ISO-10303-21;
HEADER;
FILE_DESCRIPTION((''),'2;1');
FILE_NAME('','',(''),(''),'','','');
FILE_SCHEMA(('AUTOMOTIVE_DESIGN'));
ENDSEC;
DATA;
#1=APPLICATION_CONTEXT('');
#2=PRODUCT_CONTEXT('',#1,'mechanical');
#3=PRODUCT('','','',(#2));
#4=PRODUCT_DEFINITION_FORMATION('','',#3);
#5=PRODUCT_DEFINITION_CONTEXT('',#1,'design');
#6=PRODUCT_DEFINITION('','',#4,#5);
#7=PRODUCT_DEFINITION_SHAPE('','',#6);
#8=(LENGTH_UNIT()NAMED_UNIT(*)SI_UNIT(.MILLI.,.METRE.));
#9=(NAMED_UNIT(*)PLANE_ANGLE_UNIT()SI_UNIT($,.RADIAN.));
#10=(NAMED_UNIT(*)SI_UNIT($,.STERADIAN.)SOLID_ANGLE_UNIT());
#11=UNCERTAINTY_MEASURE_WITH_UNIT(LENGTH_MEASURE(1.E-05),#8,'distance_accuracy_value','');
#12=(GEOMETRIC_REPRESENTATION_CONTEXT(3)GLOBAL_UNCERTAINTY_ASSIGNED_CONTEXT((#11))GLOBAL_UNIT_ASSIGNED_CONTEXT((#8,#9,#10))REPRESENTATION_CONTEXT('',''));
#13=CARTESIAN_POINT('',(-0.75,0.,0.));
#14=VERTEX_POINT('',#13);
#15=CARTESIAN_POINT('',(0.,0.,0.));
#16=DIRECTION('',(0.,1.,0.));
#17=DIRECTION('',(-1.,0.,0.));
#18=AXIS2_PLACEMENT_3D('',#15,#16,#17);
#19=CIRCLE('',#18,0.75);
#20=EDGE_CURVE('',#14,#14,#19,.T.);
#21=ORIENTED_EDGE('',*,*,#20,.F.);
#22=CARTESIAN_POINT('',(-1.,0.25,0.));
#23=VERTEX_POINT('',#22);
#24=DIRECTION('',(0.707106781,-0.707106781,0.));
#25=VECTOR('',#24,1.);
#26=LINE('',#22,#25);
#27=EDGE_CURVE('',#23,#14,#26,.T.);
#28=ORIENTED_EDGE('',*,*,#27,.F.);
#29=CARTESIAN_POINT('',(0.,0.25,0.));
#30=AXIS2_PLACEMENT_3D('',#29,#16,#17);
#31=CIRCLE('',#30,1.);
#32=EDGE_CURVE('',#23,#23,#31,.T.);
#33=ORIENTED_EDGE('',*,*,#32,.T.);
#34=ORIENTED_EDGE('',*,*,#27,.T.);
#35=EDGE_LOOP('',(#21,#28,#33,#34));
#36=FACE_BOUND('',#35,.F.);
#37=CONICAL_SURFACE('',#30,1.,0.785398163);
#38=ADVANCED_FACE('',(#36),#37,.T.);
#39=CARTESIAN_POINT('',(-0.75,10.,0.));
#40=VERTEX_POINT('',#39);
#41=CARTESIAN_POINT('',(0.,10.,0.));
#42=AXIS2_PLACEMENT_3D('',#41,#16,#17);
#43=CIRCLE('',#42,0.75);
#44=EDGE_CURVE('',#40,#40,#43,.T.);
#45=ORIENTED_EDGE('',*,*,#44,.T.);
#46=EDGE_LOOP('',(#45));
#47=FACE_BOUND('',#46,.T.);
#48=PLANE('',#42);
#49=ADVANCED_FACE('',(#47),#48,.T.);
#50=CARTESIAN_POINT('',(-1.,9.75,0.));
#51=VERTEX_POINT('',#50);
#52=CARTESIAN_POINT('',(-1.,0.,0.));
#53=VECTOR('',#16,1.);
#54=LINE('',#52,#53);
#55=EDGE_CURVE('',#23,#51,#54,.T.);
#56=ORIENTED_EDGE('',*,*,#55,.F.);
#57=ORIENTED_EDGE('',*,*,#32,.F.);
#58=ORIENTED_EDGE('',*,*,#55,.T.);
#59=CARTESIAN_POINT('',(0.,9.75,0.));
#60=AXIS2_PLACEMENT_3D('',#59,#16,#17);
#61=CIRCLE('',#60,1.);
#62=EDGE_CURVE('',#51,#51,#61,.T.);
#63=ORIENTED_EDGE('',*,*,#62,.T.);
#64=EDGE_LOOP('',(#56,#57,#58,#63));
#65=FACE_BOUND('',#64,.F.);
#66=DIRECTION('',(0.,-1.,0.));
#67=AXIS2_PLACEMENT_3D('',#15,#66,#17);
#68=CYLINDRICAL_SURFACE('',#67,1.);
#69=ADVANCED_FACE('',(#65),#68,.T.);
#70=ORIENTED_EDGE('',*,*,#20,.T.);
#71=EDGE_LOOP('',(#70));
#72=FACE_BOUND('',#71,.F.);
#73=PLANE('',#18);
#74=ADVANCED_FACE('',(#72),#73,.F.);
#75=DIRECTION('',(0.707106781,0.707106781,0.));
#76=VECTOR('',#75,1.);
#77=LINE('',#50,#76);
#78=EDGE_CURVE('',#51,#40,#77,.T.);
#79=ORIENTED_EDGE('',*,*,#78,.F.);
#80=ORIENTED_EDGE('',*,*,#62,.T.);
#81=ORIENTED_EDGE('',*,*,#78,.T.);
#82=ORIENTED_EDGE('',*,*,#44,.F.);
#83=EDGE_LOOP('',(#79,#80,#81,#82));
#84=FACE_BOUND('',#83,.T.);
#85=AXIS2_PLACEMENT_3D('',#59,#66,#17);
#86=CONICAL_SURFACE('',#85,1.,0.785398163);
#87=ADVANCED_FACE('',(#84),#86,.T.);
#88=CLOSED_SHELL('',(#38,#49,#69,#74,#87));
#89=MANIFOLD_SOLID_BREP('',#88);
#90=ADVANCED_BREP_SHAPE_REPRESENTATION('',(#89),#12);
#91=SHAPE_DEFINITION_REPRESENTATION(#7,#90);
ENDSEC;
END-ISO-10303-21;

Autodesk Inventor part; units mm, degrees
ref_plane "YZ Plane" through (0, 0, 0) normal (1, 0, 0) x (0, 1, 0)
ref_plane "XZ Plane" through (0, 0, 0) normal (0, 1, 0) x (-1, 0, 0)
ref_plane "XY Plane" through (0, 0, 0) normal (0, 0, 1) x (1, 0, 0)
sketch "Skizze1" plane through (0, 0, 0) normal (0, 1, 0) x (-1, 0, 0)
  circle A0 centre (0, 0) radius 1
  dimension "d0" = 2
extrude "Extrusion1" add sketch "Skizze1" along normal blind 10
chamfer "Fase1" distance 0.25 angle 45 2 edges at (1, 10, 0) (1, 0, 0)
properties part number "Shaft1" material "Stahl, Legierung"
